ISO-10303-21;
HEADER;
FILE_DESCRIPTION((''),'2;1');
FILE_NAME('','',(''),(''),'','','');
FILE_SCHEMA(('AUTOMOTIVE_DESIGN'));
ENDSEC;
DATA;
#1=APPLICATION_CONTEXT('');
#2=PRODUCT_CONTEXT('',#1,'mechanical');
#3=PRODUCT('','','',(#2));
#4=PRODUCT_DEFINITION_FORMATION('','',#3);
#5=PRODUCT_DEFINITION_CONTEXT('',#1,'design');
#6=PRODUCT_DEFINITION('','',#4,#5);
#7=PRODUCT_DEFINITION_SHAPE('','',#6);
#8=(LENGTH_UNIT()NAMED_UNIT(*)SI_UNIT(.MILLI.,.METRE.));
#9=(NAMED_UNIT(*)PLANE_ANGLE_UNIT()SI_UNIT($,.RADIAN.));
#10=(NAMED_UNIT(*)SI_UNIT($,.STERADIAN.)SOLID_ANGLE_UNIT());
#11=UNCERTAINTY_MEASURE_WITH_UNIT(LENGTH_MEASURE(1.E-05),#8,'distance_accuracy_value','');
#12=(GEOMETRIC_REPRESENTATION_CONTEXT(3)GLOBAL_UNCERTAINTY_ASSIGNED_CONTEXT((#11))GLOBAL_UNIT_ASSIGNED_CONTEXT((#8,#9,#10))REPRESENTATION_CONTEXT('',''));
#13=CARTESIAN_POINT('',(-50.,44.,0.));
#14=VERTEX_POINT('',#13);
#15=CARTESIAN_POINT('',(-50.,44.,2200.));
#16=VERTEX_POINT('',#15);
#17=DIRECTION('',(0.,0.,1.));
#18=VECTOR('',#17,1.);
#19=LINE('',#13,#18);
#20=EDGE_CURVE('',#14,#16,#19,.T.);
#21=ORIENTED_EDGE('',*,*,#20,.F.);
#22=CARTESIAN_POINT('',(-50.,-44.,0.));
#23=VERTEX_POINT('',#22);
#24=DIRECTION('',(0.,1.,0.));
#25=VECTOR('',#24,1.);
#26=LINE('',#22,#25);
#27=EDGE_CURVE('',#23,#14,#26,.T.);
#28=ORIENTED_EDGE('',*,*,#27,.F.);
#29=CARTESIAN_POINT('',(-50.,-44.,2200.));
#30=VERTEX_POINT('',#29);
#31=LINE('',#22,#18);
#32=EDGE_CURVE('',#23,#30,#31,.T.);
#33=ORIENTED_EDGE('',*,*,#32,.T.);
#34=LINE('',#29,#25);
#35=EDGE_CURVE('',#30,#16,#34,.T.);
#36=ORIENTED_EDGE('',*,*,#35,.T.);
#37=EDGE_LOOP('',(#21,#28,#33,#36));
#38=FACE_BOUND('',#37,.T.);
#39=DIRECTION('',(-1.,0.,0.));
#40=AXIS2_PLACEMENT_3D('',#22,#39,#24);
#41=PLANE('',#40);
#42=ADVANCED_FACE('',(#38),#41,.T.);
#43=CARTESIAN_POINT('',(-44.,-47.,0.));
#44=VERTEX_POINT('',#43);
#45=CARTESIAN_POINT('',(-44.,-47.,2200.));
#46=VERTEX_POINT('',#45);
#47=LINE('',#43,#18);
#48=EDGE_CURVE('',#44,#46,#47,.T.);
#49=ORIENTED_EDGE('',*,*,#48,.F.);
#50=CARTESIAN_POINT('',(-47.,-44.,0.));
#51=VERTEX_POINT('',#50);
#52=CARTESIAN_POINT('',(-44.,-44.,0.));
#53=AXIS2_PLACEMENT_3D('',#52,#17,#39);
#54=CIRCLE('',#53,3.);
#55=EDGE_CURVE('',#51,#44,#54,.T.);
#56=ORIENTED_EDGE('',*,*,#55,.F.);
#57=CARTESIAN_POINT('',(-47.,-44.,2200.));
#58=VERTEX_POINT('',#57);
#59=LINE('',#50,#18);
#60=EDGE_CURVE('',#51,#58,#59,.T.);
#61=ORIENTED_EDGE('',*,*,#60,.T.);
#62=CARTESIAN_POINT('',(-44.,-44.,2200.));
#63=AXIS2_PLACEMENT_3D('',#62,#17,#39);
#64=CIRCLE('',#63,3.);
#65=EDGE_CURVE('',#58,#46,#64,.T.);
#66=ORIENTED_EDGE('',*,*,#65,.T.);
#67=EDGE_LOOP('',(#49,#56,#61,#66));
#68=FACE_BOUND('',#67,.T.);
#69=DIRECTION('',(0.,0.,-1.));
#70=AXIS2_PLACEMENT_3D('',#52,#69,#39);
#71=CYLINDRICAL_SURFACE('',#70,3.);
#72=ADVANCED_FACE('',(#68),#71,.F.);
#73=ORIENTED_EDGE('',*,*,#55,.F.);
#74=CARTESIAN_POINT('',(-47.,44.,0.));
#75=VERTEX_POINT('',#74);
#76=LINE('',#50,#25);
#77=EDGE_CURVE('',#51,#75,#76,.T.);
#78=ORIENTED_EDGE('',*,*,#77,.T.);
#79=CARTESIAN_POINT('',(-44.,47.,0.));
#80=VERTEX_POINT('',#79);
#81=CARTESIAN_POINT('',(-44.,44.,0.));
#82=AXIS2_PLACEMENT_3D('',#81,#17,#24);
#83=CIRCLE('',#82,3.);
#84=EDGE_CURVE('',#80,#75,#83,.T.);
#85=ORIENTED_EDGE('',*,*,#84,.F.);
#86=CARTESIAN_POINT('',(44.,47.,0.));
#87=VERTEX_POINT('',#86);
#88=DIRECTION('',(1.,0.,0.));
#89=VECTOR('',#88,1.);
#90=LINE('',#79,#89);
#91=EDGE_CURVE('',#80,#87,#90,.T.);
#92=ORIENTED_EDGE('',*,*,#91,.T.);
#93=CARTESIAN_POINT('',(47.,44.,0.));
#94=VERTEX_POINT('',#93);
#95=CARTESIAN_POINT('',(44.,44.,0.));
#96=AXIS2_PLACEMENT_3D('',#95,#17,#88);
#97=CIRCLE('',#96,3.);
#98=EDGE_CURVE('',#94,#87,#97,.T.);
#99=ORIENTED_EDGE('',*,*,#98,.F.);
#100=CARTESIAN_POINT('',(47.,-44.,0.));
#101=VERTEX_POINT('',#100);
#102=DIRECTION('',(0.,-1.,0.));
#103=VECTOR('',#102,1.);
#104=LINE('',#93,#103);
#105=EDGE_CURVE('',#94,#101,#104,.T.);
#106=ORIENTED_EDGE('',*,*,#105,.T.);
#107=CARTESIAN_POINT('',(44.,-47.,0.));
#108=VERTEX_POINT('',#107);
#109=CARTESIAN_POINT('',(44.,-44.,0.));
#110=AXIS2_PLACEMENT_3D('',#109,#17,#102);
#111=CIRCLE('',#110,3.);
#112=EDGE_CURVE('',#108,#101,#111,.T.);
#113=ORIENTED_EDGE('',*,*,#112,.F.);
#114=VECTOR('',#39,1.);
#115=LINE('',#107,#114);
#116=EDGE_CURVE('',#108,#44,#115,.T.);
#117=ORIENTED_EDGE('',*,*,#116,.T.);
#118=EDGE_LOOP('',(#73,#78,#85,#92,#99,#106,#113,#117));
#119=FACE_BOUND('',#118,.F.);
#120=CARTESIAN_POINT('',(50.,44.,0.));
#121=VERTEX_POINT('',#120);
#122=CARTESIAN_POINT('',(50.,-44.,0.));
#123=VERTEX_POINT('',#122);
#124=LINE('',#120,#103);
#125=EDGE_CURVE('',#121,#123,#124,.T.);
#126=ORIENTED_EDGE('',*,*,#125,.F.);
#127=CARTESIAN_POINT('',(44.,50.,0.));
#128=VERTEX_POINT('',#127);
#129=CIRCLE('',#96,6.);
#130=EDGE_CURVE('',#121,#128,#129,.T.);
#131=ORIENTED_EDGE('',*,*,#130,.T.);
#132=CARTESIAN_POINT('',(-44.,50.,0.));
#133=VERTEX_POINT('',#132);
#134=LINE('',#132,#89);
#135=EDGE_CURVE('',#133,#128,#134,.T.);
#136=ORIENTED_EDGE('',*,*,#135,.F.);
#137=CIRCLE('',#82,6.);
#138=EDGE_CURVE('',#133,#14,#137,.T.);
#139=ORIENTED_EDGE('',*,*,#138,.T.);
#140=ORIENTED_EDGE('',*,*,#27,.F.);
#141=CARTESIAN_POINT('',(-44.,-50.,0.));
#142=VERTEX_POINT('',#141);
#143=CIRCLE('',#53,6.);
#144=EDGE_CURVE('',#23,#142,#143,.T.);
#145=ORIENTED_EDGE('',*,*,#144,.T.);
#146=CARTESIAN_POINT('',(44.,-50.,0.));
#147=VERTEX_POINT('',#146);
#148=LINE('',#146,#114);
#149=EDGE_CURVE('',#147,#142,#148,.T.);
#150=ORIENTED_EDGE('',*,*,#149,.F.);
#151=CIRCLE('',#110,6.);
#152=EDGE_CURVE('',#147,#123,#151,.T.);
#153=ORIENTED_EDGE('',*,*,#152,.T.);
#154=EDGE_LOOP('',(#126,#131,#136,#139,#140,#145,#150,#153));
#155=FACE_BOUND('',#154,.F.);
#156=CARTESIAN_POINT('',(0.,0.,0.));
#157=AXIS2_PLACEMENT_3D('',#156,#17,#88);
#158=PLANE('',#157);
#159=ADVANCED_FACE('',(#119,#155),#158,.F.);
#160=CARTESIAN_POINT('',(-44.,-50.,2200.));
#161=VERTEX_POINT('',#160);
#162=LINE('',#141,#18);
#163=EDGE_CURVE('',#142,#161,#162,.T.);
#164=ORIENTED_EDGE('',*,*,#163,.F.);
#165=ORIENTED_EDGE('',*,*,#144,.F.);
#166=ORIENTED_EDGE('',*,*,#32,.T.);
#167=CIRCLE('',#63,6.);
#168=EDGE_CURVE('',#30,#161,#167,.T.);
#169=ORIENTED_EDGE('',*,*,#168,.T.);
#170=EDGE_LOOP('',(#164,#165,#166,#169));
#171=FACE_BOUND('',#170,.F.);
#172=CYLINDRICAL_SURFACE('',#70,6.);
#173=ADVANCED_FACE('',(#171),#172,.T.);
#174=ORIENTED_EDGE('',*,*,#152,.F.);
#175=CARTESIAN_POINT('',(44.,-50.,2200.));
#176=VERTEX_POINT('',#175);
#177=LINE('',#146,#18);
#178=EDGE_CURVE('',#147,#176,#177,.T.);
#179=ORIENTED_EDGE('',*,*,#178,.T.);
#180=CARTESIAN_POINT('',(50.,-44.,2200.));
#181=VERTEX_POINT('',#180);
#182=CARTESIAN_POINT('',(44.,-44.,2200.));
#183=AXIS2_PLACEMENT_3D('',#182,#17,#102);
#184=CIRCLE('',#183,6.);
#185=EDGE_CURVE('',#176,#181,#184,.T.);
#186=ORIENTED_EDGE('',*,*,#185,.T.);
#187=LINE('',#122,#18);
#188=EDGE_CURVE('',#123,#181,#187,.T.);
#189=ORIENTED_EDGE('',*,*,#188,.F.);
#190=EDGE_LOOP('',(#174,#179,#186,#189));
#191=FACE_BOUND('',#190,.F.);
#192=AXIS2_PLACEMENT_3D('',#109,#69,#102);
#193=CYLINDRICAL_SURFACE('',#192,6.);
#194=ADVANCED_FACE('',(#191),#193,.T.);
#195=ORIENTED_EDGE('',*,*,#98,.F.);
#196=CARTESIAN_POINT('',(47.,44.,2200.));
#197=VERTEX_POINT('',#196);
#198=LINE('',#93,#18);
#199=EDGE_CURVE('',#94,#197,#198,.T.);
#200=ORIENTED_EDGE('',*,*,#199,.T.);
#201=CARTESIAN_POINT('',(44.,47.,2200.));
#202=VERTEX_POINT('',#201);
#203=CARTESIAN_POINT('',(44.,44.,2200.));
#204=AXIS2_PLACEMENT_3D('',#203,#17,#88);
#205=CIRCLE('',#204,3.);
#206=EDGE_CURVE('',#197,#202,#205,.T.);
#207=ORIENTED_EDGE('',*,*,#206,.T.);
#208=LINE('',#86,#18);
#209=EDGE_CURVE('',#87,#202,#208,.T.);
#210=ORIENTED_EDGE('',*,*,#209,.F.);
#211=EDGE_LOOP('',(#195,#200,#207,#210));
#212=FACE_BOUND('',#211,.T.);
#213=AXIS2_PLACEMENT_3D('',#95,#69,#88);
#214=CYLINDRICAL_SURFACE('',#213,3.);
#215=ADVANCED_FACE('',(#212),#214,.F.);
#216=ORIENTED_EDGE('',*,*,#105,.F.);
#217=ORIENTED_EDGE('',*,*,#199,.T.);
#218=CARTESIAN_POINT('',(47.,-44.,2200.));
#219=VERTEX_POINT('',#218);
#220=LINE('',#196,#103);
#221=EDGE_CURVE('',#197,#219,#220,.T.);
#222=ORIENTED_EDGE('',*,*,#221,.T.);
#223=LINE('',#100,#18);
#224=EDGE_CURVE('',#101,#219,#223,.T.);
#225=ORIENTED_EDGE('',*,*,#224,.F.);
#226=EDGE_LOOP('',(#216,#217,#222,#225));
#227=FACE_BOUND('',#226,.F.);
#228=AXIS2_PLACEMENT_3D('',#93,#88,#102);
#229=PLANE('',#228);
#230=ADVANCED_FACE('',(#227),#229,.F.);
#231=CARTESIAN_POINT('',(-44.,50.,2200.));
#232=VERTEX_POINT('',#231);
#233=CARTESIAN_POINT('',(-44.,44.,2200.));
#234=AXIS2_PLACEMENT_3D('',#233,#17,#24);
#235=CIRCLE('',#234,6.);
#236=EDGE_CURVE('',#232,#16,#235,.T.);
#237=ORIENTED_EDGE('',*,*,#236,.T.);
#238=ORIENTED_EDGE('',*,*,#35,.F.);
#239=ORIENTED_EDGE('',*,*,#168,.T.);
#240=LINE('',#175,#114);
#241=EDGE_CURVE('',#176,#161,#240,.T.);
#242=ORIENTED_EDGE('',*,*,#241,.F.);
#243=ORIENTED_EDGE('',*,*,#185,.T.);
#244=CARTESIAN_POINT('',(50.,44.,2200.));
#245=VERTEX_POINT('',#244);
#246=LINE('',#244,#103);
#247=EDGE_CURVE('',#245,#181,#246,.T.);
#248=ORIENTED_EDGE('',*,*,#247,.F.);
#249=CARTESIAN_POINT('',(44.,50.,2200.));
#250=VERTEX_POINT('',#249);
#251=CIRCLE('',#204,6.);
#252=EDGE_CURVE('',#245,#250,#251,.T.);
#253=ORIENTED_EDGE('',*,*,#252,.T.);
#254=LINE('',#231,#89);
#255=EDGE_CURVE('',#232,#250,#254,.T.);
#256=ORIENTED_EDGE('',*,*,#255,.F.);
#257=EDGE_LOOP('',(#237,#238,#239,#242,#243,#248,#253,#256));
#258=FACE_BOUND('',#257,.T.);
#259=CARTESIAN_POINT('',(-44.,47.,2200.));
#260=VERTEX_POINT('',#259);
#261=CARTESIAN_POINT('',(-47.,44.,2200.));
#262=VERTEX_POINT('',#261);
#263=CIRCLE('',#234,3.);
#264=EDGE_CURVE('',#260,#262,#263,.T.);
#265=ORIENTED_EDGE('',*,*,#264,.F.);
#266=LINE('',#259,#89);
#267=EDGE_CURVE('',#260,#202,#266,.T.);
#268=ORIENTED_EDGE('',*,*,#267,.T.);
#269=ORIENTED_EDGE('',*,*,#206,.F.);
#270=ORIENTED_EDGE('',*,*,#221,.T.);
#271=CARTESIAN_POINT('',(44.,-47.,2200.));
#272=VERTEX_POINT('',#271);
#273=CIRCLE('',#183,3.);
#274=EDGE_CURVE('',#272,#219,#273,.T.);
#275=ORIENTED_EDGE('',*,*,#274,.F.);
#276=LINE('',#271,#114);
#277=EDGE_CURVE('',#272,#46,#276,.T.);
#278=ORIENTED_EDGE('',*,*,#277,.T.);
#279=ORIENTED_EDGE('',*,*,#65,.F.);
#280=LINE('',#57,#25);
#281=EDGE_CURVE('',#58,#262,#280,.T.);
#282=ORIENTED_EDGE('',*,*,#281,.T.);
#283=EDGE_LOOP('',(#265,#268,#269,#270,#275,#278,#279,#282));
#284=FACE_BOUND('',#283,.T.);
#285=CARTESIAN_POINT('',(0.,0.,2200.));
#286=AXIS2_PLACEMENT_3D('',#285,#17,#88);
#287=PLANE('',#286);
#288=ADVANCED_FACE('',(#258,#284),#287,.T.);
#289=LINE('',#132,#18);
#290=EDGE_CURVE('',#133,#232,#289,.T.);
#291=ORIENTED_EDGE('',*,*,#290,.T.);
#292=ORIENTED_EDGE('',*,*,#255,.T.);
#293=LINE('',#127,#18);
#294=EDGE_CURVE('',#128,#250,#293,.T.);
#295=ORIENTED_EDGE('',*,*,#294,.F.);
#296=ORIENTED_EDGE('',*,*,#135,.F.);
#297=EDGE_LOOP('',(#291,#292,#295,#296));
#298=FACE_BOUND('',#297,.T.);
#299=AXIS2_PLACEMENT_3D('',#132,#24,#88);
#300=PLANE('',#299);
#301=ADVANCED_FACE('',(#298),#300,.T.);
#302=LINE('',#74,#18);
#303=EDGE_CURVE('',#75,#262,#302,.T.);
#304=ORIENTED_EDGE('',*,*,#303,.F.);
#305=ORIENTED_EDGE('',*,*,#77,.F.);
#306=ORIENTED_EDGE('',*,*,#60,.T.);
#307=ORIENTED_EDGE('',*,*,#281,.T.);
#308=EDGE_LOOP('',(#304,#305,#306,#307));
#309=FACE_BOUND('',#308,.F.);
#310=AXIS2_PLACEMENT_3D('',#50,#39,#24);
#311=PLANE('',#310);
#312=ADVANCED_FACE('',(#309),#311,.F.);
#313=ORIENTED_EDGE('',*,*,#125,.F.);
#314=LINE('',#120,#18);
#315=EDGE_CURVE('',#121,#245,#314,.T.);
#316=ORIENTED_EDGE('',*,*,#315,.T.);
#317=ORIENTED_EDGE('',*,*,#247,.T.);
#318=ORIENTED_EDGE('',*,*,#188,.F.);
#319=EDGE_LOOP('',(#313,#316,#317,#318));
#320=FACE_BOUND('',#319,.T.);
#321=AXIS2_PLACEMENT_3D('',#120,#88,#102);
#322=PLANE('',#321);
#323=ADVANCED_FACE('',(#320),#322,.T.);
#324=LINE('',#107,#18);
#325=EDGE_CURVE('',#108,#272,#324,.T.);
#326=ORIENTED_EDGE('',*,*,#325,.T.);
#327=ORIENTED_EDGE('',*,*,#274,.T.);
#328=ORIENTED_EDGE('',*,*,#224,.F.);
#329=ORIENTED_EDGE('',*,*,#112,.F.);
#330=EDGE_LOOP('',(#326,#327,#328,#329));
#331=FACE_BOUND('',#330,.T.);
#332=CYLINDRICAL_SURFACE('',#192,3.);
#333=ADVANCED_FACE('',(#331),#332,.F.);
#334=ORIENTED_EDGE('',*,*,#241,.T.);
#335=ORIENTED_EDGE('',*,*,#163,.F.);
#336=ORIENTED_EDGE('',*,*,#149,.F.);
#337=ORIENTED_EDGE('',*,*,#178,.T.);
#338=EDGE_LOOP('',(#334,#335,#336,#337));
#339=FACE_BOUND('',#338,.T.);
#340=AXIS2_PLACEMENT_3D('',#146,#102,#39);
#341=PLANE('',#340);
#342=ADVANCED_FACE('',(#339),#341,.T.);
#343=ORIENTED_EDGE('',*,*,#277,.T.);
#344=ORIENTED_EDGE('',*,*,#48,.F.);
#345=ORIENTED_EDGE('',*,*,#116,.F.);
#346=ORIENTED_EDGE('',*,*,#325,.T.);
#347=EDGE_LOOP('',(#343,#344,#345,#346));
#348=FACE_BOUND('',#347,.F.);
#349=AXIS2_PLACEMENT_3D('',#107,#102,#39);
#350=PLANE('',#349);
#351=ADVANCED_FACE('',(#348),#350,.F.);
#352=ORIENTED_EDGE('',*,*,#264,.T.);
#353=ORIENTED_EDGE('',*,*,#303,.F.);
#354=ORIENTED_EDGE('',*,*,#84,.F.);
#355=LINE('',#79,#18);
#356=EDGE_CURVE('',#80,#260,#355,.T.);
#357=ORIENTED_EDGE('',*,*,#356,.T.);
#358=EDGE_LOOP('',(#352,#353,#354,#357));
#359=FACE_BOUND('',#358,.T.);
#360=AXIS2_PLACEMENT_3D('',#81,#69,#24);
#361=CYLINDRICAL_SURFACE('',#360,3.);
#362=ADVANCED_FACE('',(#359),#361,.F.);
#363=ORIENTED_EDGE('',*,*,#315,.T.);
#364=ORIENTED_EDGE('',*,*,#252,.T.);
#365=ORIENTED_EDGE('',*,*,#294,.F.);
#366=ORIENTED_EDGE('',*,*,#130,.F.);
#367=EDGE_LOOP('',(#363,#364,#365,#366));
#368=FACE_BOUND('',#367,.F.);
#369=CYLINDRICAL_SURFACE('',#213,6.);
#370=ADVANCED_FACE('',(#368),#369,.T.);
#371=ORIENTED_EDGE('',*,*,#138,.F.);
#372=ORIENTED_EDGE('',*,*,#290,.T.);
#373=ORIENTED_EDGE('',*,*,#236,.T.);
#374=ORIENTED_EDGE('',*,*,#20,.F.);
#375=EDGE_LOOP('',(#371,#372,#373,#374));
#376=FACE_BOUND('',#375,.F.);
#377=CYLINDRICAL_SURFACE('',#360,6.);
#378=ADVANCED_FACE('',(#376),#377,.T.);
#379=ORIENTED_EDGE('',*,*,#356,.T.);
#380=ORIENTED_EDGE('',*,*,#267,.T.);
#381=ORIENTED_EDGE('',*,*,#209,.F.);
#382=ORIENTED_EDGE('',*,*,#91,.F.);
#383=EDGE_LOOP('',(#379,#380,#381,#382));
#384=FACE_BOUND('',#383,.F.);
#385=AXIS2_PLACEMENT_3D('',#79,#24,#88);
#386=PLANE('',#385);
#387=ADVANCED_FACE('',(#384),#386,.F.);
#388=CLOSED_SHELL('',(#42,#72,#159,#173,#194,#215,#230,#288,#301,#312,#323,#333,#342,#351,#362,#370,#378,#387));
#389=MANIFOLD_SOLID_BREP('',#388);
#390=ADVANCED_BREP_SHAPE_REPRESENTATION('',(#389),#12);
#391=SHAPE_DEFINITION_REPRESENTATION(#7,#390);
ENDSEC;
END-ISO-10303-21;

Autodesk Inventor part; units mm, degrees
ref_plane "YZ Plane" through (0, 0, 0) normal (1, 0, 0) x (0, 1, 0)
ref_plane "Start Plane" through (0, 0, 0) normal (0, 0, 1) x (1, 0, 0)
ref_plane "End Plane" through (0, 0, 2200) normal (0, 0, 1) x (1, 0, 0)
sketch "Sketch" plane through (0, 0, 0) normal (0, 0, 1) x (1, 0, 0)
  line L0 (-50, -44) -> (-50, 44)
  line L1 (-44, 50) -> (44, 50)
  line L2 (50, 44) -> (50, -44)
  line L3 (44, -50) -> (-44, -50)
  arc A0 (-50, -44) -> (-44, -50) centre (-44, -44) ccw
  arc A1 (50, 44) -> (44, 50) centre (44, 44) ccw
  arc A2 (-44, 50) -> (-50, 44) centre (-44, 44) ccw
  arc A3 (44, -50) -> (50, -44) centre (44, -44) ccw
  arc A4 (-44, 47) -> (-47, 44) centre (-44, 44) ccw
  line L4 (-44, 47) -> (44, 47)
  arc A5 (47, 44) -> (44, 47) centre (44, 44) ccw
  line L5 (47, 44) -> (47, -44)
  arc A6 (44, -47) -> (47, -44) centre (44, -44) ccw
  line L6 (44, -47) -> (-44, -47)
  arc A7 (-47, -44) -> (-44, -47) centre (-44, -44) ccw
  line L7 (-47, -44) -> (-47, 44)
  line L8 (0, 71.7397) -> (0, -71.7397) construction
  line L9 (-71.7397, 0) -> (71.7397, 0) construction
  dimension "d7" = 6
  dimension "d9" = 100
  dimension "d11" = 100
  dimension "d12" = 3
  dimension "d15" = 50
  dimension "d16" = 50
extrude "Body" add sketch "Sketch" along normal up to surface (2200 mm away) from surface at 0
sketch "Sketch3" plane through (0, 0, 0) normal (0, 0, 1) x (1, 0, 0)
  line L0 (0, 0) -> (10, 0)
ref_plane "Work Plane3" through (0, 0, 0) normal (0, -1, 0) x (1, 0, 0)
sketch "Sketch4" plane through (0, 0, 0) normal (0, -1, 0) x (1, 0, 0)
  line L0 (-2, 0) -> (12, 0) projected
  line L1 (-2, 2200) -> (12, 2200) projected
  dimension "d18" = 2200
equation "\"d7\" = G_IR"
equation "\"d9\" = G_W"
equation "\"d11\" = G_H"
equation "\"d12\" = G_T"
equation "\"d15\" = 0.5 * d9"
equation "\"d16\" = 0.5 * d11"
equation "\"d3\" = G_L"
equation "\"G_W\" = 100"
equation "\"G_H\" = 100"
equation "\"G_T\" = 3"
equation "\"G_IR\" = 6"
equation "\"G_L\" = d18"
equation "\"G_OFFSET_START\" = 0"
equation "\"G_OFFSET_END\" = 0"
properties part number "ISO 10799-2 - 100x100x3 - 2200" material "Steel, Mild"
